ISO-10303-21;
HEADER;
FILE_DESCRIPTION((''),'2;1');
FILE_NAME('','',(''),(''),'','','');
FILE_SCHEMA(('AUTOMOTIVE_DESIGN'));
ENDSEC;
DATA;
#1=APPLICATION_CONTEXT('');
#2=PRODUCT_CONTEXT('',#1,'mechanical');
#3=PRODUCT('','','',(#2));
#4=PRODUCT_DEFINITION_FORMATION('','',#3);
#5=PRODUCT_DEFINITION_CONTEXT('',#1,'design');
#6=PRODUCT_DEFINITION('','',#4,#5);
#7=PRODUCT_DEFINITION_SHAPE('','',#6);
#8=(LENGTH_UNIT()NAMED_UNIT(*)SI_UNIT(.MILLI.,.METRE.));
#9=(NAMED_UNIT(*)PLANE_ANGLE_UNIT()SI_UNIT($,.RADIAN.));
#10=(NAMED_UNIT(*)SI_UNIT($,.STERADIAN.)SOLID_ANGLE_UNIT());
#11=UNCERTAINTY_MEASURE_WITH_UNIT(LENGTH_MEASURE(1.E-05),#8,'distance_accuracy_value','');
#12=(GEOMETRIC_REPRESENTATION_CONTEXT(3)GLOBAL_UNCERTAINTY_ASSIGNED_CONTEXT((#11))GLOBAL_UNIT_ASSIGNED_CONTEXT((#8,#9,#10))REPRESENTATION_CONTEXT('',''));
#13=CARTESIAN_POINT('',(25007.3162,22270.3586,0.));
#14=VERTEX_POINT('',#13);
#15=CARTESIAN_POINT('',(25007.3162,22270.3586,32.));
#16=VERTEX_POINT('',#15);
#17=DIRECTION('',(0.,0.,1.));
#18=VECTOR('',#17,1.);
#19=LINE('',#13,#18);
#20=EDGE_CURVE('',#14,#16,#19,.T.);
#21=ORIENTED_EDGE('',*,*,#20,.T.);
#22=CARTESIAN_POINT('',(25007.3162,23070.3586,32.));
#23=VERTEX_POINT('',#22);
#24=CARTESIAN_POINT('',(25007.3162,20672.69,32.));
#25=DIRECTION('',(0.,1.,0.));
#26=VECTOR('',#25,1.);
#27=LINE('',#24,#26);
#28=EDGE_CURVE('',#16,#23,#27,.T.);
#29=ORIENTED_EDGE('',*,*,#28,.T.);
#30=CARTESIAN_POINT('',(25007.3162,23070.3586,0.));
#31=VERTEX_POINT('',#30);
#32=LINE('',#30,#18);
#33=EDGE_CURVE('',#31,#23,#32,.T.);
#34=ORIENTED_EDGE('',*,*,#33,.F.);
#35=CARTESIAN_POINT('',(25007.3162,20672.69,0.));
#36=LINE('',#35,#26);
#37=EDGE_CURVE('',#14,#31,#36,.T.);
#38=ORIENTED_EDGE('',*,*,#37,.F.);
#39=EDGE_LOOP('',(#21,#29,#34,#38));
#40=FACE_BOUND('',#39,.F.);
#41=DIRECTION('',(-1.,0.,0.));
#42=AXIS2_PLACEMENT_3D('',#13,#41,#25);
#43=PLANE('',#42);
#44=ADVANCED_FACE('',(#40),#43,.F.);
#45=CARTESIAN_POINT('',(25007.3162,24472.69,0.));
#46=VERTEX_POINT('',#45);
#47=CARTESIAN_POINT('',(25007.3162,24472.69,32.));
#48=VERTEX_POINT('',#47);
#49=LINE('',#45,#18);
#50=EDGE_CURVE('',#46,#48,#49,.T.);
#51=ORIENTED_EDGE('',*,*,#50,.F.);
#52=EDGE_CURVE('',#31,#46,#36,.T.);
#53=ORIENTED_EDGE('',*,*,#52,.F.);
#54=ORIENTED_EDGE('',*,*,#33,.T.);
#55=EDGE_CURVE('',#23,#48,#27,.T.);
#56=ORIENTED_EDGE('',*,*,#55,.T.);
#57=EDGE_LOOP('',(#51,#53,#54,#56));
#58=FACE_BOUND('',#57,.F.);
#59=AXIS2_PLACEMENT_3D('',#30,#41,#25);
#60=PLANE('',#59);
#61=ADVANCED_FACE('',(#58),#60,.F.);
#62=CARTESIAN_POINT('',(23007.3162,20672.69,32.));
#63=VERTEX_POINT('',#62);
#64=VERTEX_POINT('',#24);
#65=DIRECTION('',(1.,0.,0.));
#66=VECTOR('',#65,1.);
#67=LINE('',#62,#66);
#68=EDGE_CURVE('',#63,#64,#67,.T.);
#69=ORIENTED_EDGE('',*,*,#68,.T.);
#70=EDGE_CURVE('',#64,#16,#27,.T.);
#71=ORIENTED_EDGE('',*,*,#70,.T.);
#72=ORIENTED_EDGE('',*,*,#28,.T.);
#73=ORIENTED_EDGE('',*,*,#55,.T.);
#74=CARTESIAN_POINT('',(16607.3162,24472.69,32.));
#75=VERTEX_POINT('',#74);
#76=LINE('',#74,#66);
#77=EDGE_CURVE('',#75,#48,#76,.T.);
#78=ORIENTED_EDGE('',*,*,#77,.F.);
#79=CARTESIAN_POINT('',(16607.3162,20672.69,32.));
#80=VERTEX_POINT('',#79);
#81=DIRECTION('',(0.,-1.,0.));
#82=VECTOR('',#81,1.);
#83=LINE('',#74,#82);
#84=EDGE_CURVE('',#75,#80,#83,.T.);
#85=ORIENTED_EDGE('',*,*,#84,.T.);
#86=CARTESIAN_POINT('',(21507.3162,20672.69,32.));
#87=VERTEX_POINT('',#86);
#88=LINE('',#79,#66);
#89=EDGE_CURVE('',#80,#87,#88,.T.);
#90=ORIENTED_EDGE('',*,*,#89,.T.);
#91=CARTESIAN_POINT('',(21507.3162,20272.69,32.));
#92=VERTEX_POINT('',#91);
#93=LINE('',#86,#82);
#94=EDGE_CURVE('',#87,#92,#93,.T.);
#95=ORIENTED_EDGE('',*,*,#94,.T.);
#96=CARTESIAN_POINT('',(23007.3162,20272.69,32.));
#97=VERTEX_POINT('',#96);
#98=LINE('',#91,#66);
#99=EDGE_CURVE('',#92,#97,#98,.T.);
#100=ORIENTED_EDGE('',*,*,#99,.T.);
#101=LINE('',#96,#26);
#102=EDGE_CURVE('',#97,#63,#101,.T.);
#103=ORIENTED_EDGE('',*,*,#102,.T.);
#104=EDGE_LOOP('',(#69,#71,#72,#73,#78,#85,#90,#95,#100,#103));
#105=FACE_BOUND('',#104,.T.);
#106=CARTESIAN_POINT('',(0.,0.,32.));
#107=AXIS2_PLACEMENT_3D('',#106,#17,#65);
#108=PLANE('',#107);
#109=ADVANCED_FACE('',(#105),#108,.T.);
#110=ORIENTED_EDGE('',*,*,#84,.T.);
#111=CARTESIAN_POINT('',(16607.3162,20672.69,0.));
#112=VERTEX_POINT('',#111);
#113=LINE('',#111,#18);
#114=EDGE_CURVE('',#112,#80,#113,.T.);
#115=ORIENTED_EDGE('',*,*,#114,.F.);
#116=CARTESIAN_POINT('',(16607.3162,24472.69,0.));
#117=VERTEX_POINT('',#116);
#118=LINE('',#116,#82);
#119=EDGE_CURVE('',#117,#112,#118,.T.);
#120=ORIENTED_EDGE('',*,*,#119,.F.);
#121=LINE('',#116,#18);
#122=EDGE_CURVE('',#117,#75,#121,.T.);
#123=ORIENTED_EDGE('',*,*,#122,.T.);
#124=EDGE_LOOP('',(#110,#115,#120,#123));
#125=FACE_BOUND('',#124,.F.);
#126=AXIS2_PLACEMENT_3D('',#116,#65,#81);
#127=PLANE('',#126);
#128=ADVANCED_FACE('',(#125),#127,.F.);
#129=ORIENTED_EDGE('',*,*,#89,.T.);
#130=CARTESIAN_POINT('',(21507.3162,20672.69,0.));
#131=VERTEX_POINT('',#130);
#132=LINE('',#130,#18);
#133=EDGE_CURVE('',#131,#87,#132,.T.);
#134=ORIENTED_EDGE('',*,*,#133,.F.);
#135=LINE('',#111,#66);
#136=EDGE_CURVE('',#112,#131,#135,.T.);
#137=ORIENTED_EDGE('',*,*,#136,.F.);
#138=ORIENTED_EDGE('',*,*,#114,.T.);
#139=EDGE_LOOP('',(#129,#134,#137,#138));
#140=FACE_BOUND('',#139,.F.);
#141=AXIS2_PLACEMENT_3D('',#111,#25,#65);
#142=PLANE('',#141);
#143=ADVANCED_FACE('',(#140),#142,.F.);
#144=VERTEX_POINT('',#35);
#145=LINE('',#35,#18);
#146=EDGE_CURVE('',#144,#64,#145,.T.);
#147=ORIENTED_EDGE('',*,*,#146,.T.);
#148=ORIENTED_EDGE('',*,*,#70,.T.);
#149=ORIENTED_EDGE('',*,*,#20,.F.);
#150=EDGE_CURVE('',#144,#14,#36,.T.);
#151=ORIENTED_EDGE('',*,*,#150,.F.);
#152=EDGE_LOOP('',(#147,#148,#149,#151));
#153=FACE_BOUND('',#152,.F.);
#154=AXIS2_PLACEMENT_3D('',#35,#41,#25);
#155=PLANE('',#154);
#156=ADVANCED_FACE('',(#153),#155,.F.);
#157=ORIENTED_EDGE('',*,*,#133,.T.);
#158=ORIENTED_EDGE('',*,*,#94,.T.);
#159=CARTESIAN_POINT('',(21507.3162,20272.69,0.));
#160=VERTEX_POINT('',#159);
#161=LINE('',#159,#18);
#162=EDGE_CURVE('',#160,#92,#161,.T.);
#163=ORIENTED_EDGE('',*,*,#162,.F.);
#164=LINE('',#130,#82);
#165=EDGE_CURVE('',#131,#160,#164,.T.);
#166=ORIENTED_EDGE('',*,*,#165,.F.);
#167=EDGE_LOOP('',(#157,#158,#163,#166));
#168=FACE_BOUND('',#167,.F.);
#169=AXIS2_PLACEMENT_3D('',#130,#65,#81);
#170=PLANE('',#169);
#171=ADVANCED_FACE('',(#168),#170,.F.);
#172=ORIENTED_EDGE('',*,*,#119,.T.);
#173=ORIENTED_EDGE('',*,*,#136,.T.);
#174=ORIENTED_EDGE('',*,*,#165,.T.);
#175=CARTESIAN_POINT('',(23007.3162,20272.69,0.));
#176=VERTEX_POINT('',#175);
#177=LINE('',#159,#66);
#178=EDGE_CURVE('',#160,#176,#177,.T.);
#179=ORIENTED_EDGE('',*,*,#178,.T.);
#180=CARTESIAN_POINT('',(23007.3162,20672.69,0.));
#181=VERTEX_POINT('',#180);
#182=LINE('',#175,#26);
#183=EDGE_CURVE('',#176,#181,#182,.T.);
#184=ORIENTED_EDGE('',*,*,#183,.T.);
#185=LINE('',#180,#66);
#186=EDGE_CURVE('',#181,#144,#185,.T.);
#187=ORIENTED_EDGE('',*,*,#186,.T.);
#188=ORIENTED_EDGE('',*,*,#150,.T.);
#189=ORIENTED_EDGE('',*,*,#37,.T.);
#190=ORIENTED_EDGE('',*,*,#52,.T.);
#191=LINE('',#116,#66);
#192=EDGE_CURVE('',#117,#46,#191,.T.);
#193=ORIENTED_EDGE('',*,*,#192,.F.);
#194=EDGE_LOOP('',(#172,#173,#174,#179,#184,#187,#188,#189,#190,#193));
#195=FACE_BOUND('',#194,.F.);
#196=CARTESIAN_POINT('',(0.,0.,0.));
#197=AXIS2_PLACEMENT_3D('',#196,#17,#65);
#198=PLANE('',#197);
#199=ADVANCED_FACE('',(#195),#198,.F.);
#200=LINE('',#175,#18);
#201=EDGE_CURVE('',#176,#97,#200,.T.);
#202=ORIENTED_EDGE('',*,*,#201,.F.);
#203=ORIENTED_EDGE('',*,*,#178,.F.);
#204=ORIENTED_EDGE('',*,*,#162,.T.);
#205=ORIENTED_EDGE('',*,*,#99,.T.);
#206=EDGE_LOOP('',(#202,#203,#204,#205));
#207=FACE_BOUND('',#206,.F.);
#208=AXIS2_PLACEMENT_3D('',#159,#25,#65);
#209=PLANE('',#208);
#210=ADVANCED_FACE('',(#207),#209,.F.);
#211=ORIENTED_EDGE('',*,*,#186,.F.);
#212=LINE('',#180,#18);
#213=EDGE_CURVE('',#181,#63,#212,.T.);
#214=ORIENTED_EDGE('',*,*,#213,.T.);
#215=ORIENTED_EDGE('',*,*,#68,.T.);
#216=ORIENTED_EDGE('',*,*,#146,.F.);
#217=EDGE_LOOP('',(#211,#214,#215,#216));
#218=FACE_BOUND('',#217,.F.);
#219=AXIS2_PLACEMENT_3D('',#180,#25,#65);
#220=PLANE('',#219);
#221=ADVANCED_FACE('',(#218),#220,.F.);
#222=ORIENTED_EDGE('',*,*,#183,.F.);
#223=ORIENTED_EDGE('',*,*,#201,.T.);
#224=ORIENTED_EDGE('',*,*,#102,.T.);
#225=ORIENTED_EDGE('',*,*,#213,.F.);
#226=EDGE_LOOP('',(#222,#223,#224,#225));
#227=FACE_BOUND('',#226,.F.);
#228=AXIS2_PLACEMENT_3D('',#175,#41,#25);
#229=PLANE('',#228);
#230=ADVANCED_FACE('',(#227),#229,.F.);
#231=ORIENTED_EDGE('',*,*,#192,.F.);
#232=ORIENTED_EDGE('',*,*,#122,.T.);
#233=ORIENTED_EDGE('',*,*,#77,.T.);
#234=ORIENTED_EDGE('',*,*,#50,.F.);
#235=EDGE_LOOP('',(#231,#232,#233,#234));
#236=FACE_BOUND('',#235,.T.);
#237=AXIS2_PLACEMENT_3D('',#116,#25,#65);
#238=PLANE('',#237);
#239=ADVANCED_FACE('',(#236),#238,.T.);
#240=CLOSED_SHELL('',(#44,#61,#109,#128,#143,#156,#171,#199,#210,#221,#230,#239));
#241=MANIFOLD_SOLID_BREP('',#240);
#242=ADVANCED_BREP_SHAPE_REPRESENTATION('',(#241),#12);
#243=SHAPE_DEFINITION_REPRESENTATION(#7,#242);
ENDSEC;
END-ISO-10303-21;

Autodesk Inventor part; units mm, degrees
ref_plane "YZ Plane" through (0, 0, 0) normal (1, 0, 0) x (0, 1, 0)
ref_plane "XZ Plane" through (0, 0, 0) normal (0, 1, 0) x (-1, 0, 0)
ref_plane "XY Plane" through (0, 0, 0) normal (0, 0, 1) x (1, 0, 0)
sketch "Эскиз1" plane through (0, 0, 0) normal (0, 0, 1) x (1, 0, 0)
  line L0 (23007.3162, 20272.69) -> (23007.3162, 20672.69) construction
  line L1 (25007.3162, 20672.69) -> (23007.3162, 20672.69) construction
  line L2 (25007.3162, 20272.69) -> (25007.3162, 20672.69) construction
  line L3 (23007.3162, 20272.69) -> (25007.3162, 20272.69) construction
  line L4 (21507.3162, 20672.69) -> (21507.3162, 20272.69) construction
  line L5 (19507.3162, 20272.69) -> (21507.3162, 20272.69) construction
  line L6 (19507.3162, 20672.69) -> (19507.3162, 20272.69) construction
  line L7 (21507.3162, 20672.69) -> (19507.3162, 20672.69) construction
  line L8 (28307.3162, 15072.69) -> (28307.3162, 14672.69) construction
  line L9 (27607.3162, 14672.69) -> (28307.3162, 14672.69) construction
  line L10 (27607.3162, 15072.69) -> (27607.3162, 14672.69) construction
  line L11 (26657.3162, 15072.69) -> (27607.3162, 15072.69) construction
  line L12 (26657.3162, 15072.69) -> (26657.3162, 15472.69) construction
  line L13 (27607.3162, 15472.69) -> (26657.3162, 15472.69) construction
  line L14 (27607.3162, 23072.69) -> (27607.3162, 15472.69) construction
  line L15 (25407.3162, 23072.69) -> (27607.3162, 23072.69) construction
  line L16 (25407.3162, 20072.69) -> (25407.3162, 23072.69) construction
  line L17 (25407.3162, 20072.69) -> (25007.3162, 20072.69) construction
  line L18 (25007.3162, 14072.69) -> (25007.3162, 17872.69) construction
  line L19 (25007.3162, 24472.69) -> (16607.3162, 24472.69) construction
  line L20 (16607.3162, 24472.69) -> (16607.3162, 20672.69) construction
  line L21 (19507.3162, 20672.69) -> (16607.3162, 20672.69) construction
  line L22 (19507.3162, 20272.69) -> (19507.3162, 20672.69) construction
  line L23 (16607.3162, 20272.69) -> (19507.3162, 20272.69) construction
  line L24 (16607.3162, 20272.69) -> (16607.3162, 18272.69) construction
  line L25 (19607.3162, 18272.69) -> (16607.3162, 18272.69) construction
  line L26 (19607.3162, 18272.69) -> (19607.3162, 17872.69) construction
  line L27 (16607.3162, 17872.69) -> (19607.3162, 17872.69) construction
  line L28 (16607.3162, 17872.69) -> (16607.3162, 14072.69) construction
  line L29 (16607.3162, 14072.69) -> (25007.3162, 14072.69) construction
  line L30 (23857.3162, 17872.69) -> (25007.3162, 17872.69) construction
  line L31 (23857.3162, 17872.69) -> (23857.3162, 18272.69) construction
  line L32 (25007.3162, 18272.69) -> (23857.3162, 18272.69) construction
  line L33 (25007.3162, 18272.69) -> (25007.3162, 18572.69) construction
  line L34 (25007.3162, 18572.69) -> (25407.3162, 18572.69) construction
  line L35 (25407.3162, 15472.69) -> (25407.3162, 18572.69) construction
  line L36 (25657.3162, 15472.69) -> (25407.3162, 15472.69) construction
  line L37 (25657.3162, 15472.69) -> (25657.3162, 15072.69) construction
  line L38 (25407.3162, 15072.69) -> (25657.3162, 15072.69) construction
  line L39 (25407.3162, 13672.69) -> (25407.3162, 15072.69) construction
  line L40 (16207.3162, 13672.69) -> (25407.3162, 13672.69) construction
  line L41 (16207.3162, 15072.69) -> (16207.3162, 13672.69) construction
  line L42 (15957.3162, 15072.69) -> (16207.3162, 15072.69) construction
  line L43 (15957.3162, 15072.69) -> (15957.3162, 15472.69) construction
  line L44 (16207.3162, 15472.69) -> (15957.3162, 15472.69) construction
  line L45 (16207.3162, 23472.69) -> (16207.3162, 15472.69) construction
  line L46 (14007.3162, 23472.69) -> (16207.3162, 23472.69) construction
  line L47 (14007.3162, 20472.69) -> (14007.3162, 23472.69) construction
  line L48 (14007.3162, 20472.69) -> (13607.3162, 20472.69) construction
  line L49 (13607.3162, 20472.69) -> (13607.3162, 23472.69) construction
  line L50 (13607.3162, 23472.69) -> (8007.3162, 23472.69) construction
  line L51 (8007.3162, 23472.69) -> (8007.3162, 15072.69) construction
  line L52 (8007.3162, 15072.69) -> (13607.3162, 15072.69) construction
  line L53 (13607.3162, 15072.69) -> (13607.3162, 18072.69) construction
  line L54 (13607.3162, 18072.69) -> (14007.3162, 18072.69) construction
  line L55 (14007.3162, 15472.69) -> (14007.3162, 18072.69) construction
  line L56 (14957.3162, 15472.69) -> (14007.3162, 15472.69) construction
  line L57 (14957.3162, 15472.69) -> (14957.3162, 15072.69) construction
  line L58 (14007.3162, 15072.69) -> (14957.3162, 15072.69) construction
  line L59 (14007.3162, 14672.69) -> (14007.3162, 15072.69) construction
  line L60 (7607.3162, 14672.69) -> (14007.3162, 14672.69) construction
  line L61 (7607.3162, 23872.69) -> (7607.3162, 14672.69) construction
  line L62 (16207.3162, 23872.69) -> (7607.3162, 23872.69) construction
  line L63 (16207.3162, 24872.69) -> (16207.3162, 23872.69) construction
  line L64 (25407.3162, 24872.69) -> (16207.3162, 24872.69) construction
  line L65 (25407.3162, 23472.69) -> (25407.3162, 24872.69) construction
  line L66 (27607.3162, 23472.69) -> (25407.3162, 23472.69) construction
  line L67 (27607.3162, 23872.69) -> (27607.3162, 23472.69) construction
  line L68 (29607.3162, 23872.69) -> (27607.3162, 23872.69) construction
  line L69 (29607.3162, 23872.69) -> (29607.3162, 23472.69) construction
  line L70 (29607.3162, 23472.69) -> (28007.3162, 23472.69) construction
  line L71 (28007.3162, 23472.69) -> (28007.3162, 15072.69) construction
  line L72 (28007.3162, 15072.69) -> (28307.3162, 15072.69) construction
  line L73 (25007.3162, 20672.69) -> (25007.3162, 24472.69)
  line L74 (16607.3162, 24472.69) -> (25007.3162, 24472.69)
  line L75 (16607.3162, 24472.69) -> (16607.3162, 20672.69)
  line L76 (16607.3162, 20672.69) -> (21507.3162, 20672.69)
  line L77 (21507.3162, 20672.69) -> (21507.3162, 20272.69)
  line L78 (21507.3162, 20272.69) -> (23007.3162, 20272.69)
  line L79 (23007.3162, 20272.69) -> (23007.3162, 20672.69)
  line L80 (23007.3162, 20672.69) -> (25007.3162, 20672.69)
  line L81 (25307.3162, 23070.3586) -> (25007.3162, 23070.3586) projected
  line L82 (25007.3162, 23070.3586) -> (25007.3162, 24472.69) projected
  line L83 (25007.3162, 20072.69) -> (25007.3162, 22270.3586) projected
  line L84 (25007.3162, 22270.3586) -> (25307.3162, 22270.3586) projected
  line L85 (25307.3162, 22270.3586) -> (25307.3162, 23070.3586) projected
  point P0 (0, 0)
extrude "Выдавливание1" add sketch "Эскиз1" along normal blind 32 contours L80 L79 L78 L77 L76 L75 L74 L73
properties part number "Пол гостиной" material "Деревянные полы"
